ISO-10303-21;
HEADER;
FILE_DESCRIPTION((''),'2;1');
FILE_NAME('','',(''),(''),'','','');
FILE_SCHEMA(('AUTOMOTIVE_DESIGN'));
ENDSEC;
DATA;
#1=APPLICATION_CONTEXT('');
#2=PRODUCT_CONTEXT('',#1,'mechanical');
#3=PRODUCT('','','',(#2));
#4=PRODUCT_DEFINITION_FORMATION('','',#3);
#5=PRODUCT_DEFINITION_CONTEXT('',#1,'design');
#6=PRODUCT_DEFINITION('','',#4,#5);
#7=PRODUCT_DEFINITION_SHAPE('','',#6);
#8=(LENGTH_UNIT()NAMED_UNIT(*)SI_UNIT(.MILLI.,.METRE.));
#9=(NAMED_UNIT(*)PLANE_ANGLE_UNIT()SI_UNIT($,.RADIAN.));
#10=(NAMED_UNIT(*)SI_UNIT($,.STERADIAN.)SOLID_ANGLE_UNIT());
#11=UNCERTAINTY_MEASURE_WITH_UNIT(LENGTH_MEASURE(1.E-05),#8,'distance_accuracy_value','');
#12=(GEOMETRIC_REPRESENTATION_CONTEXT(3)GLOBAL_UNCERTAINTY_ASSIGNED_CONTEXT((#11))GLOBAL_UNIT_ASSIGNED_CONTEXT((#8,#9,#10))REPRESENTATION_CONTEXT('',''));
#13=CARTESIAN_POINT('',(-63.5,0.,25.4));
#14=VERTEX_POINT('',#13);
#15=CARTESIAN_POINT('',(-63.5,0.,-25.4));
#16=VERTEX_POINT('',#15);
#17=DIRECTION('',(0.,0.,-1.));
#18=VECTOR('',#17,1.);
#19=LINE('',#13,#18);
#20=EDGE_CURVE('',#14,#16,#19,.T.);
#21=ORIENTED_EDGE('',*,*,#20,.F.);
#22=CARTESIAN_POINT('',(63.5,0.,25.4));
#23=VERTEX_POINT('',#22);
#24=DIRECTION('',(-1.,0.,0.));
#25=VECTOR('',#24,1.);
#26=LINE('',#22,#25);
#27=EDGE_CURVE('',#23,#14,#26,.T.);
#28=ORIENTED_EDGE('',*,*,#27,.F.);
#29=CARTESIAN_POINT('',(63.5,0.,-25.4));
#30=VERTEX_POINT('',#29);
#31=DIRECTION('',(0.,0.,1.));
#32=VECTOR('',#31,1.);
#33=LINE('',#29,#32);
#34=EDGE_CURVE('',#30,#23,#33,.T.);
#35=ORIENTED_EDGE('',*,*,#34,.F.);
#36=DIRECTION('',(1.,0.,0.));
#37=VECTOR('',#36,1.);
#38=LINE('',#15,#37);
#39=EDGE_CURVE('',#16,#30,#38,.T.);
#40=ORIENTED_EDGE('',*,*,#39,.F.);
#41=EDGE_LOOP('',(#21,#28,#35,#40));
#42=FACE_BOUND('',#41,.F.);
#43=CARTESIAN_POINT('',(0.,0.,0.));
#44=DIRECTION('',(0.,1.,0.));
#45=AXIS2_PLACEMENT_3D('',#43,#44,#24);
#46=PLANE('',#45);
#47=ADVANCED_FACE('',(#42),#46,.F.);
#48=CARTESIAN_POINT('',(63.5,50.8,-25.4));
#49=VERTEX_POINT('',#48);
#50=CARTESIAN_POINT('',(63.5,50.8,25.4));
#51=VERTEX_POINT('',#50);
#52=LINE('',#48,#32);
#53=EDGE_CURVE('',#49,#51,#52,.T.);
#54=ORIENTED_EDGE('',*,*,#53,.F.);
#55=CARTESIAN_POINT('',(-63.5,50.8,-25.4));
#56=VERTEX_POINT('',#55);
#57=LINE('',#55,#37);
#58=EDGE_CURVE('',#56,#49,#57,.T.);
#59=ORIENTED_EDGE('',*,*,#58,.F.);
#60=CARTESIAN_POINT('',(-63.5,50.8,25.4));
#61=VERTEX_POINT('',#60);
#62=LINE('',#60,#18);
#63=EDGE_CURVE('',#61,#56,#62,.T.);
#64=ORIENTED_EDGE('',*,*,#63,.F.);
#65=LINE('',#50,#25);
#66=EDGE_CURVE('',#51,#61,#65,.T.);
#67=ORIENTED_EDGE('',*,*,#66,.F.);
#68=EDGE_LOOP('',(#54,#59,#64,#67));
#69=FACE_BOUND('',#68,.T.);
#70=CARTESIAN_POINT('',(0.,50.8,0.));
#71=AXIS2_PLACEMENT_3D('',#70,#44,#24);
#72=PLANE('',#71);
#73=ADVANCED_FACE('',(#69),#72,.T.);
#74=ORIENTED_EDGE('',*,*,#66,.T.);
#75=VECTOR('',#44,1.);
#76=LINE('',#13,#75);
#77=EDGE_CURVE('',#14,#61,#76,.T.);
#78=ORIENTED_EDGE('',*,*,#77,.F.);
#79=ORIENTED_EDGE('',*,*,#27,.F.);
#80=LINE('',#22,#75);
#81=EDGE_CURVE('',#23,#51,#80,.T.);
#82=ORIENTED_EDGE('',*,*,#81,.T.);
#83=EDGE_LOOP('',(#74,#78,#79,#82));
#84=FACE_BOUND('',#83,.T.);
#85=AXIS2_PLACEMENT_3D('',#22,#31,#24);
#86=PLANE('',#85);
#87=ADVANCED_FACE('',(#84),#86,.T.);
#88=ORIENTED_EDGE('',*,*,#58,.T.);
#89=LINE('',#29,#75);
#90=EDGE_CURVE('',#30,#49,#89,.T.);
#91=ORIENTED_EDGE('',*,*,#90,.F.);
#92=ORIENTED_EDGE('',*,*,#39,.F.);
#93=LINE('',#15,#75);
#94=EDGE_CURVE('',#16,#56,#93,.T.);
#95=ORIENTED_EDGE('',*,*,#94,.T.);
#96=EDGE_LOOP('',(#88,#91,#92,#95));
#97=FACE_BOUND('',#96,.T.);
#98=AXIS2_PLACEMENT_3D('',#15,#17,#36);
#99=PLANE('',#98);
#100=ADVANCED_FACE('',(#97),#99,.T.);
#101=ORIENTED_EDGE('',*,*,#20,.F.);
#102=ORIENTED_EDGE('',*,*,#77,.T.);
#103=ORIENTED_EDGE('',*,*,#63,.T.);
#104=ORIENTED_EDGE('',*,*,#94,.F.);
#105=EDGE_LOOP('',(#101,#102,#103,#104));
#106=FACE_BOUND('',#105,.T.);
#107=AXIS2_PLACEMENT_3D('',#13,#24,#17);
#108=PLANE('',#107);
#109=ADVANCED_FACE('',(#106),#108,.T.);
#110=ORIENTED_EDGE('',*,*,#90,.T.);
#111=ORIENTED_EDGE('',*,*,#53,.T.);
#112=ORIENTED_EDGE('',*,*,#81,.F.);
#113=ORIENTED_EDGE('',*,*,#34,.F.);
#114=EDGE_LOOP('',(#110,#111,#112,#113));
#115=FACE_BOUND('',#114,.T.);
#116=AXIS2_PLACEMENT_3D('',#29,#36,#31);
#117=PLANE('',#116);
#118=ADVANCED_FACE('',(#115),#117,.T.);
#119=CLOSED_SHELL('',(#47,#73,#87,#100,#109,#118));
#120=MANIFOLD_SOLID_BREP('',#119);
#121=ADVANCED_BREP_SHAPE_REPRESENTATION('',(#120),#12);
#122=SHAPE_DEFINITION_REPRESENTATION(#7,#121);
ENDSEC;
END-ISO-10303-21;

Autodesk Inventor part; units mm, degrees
ref_plane "YZ Plane" through (0, 0, 0) normal (1, 0, 0) x (0, 1, 0)
ref_plane "XZ Plane" through (0, 0, 0) normal (0, 1, 0) x (-1, 0, 0)
ref_plane "XY Plane" through (0, 0, 0) normal (0, 0, 1) x (1, 0, 0)
sketch "Sketch1" plane through (0, 0, 0) normal (0, 1, 0) x (-1, 0, 0)
  line L0 (-63.5, 25.4) -> (63.5, 25.4)
  line L1 (63.5, 25.4) -> (63.5, -25.4)
  line L2 (63.5, -25.4) -> (-63.5, -25.4)
  line L3 (-63.5, -25.4) -> (-63.5, 25.4)
  line L4 (-63.5, 25.4) -> (63.5, -25.4) construction
  line L5 (63.5, 25.4) -> (-63.5, -25.4) construction
  point P0 (0, 0)
  dimension "d0" = 127
  dimension "d1" = 50.8
extrude "Extrusion1" add sketch "Sketch1" along normal blind 50.8
properties part number "BX11111"
